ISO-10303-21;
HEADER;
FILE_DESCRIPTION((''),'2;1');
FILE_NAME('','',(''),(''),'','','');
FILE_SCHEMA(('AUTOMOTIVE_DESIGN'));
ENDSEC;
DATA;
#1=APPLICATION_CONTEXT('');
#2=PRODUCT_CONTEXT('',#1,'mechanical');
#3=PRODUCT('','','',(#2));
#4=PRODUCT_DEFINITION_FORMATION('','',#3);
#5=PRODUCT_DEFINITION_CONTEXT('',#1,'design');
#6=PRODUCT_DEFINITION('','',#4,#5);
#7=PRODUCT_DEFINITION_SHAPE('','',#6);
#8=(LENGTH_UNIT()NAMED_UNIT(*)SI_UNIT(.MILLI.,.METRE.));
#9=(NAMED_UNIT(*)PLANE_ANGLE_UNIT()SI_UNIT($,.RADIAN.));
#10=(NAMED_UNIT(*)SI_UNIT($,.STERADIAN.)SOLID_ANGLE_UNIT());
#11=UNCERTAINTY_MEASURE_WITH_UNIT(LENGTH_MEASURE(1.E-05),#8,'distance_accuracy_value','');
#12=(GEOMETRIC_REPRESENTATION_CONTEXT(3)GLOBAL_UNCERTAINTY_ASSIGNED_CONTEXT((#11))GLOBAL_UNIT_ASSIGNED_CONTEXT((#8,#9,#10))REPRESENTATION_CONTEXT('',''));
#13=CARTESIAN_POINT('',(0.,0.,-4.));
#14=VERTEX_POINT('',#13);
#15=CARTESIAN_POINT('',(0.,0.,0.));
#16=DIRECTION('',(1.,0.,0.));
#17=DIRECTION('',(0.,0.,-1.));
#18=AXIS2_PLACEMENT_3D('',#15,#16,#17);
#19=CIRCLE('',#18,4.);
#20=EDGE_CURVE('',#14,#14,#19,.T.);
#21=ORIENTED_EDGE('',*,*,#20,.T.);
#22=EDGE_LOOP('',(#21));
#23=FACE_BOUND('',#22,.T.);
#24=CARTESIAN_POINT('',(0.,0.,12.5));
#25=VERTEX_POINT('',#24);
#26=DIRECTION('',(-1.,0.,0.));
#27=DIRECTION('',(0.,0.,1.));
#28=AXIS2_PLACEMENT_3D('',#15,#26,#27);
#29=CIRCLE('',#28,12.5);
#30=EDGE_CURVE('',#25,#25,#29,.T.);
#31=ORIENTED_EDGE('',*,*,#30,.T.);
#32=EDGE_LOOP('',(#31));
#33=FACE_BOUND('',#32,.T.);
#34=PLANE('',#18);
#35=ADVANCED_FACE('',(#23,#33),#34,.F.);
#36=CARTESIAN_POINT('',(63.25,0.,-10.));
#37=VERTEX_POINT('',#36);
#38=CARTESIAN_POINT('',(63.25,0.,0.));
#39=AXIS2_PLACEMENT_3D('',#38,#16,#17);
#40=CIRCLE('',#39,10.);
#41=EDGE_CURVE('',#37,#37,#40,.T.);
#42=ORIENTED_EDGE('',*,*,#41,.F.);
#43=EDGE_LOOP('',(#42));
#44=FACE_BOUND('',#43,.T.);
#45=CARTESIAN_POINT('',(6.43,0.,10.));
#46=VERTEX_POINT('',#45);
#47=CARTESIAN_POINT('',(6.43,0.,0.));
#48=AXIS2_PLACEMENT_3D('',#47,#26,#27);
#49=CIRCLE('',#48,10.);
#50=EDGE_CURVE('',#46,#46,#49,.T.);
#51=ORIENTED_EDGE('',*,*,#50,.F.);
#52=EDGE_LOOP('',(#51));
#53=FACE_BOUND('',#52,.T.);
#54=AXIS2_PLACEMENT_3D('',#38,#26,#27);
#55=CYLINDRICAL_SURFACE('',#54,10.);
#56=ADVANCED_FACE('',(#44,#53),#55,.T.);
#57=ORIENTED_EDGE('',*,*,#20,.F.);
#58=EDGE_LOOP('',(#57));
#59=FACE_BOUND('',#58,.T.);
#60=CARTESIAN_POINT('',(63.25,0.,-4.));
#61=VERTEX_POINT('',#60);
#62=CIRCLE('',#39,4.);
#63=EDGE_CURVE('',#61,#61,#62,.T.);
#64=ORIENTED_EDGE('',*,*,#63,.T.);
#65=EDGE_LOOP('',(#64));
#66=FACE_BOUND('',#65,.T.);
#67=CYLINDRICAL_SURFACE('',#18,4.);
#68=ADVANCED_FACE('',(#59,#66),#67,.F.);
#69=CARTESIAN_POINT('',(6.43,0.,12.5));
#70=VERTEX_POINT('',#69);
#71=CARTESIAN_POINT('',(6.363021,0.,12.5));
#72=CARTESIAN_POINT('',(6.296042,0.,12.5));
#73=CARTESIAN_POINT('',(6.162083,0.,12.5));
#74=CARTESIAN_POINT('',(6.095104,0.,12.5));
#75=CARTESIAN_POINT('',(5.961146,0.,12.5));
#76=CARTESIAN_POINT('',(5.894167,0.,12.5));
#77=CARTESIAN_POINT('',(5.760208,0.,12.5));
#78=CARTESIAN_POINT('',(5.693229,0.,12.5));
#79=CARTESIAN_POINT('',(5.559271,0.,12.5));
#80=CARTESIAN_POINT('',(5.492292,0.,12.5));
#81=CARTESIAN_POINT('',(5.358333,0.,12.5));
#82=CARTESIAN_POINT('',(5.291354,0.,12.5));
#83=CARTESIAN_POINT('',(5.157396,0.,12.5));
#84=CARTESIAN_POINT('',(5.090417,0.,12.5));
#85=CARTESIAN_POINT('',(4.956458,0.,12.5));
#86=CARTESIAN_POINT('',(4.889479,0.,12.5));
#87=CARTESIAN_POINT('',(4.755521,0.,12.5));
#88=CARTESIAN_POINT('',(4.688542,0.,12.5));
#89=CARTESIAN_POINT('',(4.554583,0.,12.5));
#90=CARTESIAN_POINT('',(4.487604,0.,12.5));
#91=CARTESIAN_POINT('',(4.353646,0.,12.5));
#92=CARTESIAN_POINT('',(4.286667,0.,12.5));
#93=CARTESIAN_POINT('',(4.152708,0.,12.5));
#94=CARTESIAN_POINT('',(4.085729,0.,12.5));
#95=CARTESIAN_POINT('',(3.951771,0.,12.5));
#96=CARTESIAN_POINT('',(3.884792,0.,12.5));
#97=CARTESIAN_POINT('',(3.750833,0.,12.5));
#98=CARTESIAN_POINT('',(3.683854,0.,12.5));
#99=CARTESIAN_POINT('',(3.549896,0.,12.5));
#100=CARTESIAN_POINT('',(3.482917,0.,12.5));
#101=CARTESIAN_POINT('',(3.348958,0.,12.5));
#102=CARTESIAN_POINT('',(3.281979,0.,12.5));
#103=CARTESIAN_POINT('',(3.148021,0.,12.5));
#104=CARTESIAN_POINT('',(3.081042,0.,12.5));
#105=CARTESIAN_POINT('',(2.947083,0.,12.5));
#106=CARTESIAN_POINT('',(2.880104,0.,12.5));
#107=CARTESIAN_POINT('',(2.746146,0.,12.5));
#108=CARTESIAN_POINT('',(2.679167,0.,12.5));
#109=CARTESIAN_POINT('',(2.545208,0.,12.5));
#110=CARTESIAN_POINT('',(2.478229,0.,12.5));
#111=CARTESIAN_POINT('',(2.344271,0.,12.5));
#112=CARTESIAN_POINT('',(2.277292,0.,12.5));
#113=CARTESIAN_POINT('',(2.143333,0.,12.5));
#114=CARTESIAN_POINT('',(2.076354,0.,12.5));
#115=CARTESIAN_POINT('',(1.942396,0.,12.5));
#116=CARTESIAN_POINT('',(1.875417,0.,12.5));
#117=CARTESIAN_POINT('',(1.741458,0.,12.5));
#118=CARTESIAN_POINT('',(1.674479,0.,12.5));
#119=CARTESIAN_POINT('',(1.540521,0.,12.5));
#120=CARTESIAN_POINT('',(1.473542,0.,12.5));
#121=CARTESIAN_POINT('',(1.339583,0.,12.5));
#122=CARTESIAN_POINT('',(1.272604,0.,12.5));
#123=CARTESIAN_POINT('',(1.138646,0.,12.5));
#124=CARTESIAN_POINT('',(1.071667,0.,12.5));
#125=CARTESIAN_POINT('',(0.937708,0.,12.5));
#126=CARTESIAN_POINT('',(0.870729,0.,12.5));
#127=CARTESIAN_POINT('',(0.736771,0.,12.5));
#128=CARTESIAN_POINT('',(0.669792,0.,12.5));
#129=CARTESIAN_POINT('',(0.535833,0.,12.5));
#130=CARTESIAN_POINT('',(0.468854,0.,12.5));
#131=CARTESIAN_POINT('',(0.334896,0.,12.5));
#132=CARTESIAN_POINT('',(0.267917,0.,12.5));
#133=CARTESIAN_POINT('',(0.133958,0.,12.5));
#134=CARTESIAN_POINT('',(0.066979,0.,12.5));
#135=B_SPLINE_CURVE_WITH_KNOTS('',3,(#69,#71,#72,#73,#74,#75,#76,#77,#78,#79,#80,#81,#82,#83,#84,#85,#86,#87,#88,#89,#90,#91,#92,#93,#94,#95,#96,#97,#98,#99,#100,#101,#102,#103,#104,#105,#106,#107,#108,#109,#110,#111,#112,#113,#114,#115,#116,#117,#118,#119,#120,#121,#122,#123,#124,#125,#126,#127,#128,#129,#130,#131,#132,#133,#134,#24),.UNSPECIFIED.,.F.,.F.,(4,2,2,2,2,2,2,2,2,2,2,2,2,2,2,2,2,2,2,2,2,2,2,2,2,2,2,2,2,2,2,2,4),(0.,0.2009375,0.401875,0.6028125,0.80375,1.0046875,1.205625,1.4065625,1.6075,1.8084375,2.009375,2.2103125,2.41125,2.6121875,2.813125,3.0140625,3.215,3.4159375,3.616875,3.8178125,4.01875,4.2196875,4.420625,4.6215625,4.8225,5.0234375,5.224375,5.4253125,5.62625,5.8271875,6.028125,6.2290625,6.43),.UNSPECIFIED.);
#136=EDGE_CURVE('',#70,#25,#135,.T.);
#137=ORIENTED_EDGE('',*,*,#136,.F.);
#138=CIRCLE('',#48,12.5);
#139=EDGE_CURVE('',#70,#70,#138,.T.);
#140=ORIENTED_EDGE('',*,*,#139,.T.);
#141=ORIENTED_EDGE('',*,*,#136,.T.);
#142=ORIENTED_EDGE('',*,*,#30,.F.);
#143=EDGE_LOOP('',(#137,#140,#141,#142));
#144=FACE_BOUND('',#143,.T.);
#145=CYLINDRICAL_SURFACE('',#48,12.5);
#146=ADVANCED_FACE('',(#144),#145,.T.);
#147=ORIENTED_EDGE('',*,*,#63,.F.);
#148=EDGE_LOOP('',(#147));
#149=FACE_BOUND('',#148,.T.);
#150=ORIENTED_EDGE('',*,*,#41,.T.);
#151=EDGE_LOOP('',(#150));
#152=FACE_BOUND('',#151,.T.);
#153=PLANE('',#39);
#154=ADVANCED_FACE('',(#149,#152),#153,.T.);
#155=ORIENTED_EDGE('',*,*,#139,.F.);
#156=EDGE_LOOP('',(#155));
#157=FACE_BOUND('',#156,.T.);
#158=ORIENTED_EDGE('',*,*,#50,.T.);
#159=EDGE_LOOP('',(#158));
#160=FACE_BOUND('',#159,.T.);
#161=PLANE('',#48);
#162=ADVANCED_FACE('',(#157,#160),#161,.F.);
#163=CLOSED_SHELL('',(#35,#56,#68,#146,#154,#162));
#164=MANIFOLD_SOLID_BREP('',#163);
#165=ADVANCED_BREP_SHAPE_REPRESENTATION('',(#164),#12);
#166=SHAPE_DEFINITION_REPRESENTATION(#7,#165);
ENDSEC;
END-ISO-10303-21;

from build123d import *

# Parameters (mm, degrees)
SKETCH1_R           = 10
BOSS_EXTRUDE1_DEPTH = 63.25
SKETCH2_R           = 12.5
BOSS_EXTRUDE2_DEPTH = 6.43
SKETCH3_R           = 4
CUT_EXTRUDE1_DEPTH  = 66.673910345


with BuildPart() as part:
    # Sketch1 → Boss-Extrude1 (new body)
    with BuildSketch(Plane(origin=(0, 0, 0), x_dir=(0, 0, -1), z_dir=(1, 0, 0))):
        Circle(SKETCH1_R)
    extrude(amount=BOSS_EXTRUDE1_DEPTH)

    # Sketch2 → Boss-Extrude2 (add)
    with BuildSketch(Plane.ZY):
        Circle(SKETCH2_R)
    extrude(amount=-BOSS_EXTRUDE2_DEPTH)

    # Sketch3 → Cut-Extrude1 (cut, through all)
    with BuildSketch(Plane(origin=(63.25, 0, 0), x_dir=(0, 0, -1), z_dir=(1, 0, 0))):
        Circle(SKETCH3_R)
    extrude(amount=-CUT_EXTRUDE1_DEPTH, mode=Mode.SUBTRACT)


solid = part.part
